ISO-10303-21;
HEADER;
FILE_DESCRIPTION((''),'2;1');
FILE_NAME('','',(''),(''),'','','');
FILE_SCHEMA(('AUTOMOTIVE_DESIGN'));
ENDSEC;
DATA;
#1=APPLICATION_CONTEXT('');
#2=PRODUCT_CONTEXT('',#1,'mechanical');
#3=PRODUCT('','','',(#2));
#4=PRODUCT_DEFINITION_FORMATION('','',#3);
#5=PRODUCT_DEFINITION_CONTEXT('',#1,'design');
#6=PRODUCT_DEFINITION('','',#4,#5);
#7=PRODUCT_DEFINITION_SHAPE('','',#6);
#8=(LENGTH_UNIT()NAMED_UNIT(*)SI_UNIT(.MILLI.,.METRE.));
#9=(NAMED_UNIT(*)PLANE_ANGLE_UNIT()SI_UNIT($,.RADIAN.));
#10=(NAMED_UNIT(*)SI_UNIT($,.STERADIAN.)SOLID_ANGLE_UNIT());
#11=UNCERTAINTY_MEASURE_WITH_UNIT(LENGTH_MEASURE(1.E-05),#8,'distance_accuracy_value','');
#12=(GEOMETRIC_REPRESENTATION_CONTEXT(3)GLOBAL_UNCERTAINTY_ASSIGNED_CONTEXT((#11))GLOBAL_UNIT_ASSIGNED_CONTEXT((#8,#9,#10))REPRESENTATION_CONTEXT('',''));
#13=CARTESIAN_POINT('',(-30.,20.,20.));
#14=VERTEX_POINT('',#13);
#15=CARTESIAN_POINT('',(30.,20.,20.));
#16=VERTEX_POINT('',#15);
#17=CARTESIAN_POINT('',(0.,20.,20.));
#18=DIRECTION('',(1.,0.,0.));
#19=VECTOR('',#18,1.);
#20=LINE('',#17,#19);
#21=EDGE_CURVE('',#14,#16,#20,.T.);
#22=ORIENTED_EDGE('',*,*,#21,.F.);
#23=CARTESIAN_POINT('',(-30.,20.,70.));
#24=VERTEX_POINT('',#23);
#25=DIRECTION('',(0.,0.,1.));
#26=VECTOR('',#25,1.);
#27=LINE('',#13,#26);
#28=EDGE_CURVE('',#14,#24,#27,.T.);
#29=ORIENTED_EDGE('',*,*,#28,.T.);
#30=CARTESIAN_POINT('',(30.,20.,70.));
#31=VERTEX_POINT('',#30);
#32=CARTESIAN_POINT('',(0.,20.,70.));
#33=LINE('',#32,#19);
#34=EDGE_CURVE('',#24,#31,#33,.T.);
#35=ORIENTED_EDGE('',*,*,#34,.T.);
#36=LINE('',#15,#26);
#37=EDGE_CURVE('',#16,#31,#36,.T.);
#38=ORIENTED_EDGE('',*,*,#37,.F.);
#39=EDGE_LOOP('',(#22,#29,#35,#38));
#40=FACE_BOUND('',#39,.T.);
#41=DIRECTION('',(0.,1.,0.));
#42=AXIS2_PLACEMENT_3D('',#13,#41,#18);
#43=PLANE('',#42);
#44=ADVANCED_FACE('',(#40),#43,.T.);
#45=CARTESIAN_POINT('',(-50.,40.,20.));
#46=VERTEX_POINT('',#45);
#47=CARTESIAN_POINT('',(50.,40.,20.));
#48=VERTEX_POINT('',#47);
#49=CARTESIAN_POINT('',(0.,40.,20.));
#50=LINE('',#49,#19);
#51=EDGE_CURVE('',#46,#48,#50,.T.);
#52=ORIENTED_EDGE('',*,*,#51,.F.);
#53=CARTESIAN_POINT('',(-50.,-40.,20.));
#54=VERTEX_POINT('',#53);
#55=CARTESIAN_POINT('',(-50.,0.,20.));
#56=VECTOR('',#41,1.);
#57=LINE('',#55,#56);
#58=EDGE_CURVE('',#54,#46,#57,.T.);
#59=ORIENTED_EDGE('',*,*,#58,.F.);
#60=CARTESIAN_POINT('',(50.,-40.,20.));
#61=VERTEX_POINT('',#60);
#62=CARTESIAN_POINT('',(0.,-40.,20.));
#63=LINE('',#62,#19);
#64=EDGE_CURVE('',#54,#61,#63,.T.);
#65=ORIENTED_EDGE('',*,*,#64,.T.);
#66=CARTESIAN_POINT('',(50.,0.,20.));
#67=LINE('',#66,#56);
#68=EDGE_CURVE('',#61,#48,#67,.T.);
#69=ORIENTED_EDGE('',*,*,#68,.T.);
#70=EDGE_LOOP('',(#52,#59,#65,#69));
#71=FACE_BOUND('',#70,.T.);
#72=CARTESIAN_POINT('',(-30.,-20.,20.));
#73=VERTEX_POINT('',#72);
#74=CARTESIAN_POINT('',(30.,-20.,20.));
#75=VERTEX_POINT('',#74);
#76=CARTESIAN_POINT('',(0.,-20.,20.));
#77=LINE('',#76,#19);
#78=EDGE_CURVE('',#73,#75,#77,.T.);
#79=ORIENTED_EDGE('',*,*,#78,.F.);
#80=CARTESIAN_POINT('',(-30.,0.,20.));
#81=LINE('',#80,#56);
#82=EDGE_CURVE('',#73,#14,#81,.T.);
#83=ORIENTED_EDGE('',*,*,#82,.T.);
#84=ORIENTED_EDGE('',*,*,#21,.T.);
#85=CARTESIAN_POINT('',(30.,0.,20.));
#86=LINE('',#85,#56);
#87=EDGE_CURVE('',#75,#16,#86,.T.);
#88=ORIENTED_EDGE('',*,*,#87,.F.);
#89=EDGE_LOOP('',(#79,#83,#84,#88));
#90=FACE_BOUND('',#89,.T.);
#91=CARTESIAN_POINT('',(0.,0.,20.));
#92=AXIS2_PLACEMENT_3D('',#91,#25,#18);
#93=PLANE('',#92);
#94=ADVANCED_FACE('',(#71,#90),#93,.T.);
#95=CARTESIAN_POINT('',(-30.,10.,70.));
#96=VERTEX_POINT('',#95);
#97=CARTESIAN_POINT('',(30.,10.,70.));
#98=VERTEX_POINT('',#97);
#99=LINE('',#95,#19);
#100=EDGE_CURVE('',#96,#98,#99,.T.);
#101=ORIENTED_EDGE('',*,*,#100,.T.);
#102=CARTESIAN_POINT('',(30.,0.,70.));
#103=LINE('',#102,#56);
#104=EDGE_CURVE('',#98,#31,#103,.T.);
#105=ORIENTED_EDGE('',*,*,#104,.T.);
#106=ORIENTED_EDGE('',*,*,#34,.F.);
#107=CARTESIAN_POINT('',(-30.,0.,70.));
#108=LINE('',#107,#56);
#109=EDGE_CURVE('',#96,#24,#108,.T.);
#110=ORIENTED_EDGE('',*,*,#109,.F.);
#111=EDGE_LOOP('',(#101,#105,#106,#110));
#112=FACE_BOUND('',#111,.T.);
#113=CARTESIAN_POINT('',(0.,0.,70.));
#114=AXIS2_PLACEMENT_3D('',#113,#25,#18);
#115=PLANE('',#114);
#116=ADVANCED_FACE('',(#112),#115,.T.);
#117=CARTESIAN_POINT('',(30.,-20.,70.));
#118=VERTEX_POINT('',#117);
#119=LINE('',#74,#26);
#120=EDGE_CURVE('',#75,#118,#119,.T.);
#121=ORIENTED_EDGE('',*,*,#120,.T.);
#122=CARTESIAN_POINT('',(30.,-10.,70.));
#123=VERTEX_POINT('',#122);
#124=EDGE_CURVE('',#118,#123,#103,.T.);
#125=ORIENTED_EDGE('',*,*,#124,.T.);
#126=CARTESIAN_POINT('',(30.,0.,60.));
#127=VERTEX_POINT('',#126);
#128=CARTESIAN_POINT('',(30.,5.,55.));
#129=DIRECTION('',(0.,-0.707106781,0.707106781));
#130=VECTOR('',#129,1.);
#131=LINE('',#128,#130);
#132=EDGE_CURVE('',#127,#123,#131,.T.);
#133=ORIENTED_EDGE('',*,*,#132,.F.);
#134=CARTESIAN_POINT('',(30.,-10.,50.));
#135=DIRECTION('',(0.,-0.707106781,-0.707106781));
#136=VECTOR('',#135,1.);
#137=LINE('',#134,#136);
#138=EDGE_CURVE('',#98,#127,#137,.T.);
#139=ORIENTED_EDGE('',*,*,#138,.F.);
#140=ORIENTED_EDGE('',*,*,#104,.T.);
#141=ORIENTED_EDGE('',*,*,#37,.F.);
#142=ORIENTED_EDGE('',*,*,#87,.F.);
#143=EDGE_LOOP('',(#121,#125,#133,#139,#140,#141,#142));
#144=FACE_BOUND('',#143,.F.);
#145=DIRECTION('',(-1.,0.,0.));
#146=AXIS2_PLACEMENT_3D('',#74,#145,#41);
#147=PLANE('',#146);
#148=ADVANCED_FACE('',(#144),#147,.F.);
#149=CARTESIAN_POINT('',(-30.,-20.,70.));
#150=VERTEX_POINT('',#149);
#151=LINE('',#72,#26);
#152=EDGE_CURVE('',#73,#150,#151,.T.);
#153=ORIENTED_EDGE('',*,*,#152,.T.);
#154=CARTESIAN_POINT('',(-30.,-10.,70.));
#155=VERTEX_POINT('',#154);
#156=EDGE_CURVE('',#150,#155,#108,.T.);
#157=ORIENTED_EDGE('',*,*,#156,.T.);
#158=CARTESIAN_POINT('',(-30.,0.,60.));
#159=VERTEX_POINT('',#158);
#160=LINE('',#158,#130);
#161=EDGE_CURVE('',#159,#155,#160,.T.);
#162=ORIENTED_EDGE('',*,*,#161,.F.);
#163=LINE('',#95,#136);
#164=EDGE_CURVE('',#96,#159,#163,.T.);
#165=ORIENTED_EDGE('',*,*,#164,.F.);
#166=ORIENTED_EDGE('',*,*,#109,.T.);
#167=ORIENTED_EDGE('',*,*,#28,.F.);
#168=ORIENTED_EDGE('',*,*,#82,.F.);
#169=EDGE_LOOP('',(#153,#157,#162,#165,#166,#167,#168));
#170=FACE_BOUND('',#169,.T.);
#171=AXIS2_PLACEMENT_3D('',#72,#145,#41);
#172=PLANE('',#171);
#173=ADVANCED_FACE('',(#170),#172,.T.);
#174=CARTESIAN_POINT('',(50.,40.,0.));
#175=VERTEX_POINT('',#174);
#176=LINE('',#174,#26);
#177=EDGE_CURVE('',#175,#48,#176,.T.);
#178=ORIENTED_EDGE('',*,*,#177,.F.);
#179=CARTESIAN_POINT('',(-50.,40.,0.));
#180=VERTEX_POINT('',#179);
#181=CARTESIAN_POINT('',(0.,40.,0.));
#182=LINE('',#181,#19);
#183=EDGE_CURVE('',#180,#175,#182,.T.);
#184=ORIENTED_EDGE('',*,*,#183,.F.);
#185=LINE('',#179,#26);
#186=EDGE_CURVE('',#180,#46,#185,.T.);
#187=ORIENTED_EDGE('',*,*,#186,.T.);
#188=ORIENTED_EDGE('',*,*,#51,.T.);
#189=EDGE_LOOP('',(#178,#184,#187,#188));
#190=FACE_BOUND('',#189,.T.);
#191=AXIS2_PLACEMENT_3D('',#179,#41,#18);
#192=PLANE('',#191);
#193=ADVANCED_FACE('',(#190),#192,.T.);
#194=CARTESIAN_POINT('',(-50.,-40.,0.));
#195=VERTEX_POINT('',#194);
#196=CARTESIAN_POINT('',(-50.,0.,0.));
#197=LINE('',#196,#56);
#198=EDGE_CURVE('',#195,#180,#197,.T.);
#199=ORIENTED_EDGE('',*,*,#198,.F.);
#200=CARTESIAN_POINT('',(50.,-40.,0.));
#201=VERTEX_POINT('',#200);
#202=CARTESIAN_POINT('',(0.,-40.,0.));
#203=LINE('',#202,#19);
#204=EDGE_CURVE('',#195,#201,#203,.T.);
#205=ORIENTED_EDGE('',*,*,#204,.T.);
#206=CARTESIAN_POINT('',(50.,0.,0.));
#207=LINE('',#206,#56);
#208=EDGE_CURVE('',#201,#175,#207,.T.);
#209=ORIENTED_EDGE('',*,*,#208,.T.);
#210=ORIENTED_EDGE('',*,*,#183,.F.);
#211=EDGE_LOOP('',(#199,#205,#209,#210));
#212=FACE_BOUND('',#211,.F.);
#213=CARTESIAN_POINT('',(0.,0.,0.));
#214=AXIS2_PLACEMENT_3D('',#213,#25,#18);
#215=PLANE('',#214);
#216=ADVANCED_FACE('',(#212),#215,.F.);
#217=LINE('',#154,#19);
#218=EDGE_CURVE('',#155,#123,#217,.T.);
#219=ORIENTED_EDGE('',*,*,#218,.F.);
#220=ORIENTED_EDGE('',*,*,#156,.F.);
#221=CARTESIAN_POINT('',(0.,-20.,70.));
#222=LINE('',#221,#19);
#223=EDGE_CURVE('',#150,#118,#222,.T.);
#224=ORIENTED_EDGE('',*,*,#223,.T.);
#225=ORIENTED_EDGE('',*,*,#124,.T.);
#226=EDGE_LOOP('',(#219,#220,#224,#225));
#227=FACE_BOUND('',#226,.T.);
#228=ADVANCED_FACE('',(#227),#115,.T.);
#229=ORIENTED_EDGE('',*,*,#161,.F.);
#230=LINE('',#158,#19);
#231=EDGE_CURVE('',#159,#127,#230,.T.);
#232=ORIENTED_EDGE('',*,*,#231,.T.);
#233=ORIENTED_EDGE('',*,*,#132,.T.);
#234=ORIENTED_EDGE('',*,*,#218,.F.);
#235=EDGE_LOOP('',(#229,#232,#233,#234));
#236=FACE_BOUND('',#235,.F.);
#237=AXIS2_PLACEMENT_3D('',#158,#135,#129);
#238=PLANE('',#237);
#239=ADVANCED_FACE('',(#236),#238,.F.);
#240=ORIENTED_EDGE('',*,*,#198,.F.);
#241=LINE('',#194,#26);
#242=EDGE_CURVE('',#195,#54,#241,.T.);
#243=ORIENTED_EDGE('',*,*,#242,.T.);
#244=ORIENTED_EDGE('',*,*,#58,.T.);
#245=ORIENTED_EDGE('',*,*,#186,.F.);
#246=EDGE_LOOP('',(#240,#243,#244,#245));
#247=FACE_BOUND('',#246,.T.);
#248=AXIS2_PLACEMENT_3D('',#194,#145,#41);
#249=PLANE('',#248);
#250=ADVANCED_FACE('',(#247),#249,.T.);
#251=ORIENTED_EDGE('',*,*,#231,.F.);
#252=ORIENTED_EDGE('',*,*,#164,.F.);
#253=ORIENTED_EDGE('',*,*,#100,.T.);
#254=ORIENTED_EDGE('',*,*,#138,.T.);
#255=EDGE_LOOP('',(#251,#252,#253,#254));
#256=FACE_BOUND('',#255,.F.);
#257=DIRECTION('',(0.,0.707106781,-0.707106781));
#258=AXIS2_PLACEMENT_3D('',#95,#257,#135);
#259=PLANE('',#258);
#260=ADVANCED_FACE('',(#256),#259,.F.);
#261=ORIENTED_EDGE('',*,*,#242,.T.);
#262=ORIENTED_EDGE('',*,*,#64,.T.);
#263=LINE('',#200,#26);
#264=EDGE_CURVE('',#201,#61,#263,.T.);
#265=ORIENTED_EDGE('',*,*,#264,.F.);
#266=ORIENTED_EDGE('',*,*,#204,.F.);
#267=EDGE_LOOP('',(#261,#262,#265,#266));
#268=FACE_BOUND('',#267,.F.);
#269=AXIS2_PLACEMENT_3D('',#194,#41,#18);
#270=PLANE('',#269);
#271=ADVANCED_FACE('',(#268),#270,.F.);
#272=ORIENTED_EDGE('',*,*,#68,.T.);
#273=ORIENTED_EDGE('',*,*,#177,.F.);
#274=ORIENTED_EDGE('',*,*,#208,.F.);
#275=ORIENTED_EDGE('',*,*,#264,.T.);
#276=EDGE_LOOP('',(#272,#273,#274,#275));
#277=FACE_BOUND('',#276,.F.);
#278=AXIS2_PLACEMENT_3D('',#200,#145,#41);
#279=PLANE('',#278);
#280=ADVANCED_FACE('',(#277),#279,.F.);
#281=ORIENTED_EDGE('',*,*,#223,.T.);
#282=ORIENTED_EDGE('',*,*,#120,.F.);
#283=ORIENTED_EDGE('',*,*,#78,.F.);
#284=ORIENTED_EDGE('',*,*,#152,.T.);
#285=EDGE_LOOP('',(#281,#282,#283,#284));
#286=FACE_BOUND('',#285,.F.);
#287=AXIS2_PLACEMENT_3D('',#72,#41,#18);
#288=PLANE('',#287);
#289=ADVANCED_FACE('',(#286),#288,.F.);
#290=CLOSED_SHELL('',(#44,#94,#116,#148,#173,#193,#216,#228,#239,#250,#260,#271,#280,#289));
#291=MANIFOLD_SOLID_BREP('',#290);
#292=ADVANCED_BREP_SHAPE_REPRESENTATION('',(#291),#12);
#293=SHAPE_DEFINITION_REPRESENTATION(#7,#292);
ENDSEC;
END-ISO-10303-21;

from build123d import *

# Parameters (mm, degrees)
F0_W     = 100
F0_H     = 80
F1_DEPTH = 20
F2_W     = 60
F2_H     = 40
F3_DEPTH = 50
F5_DEPTH = 81


with BuildPart() as f1:
    # F0 (on Top) → F1 (new body)
    with BuildSketch(Plane.XY):
        Rectangle(F0_W, F0_H)
    extrude(amount=F1_DEPTH)

    # F2 (on face) → F3 (join)
    with BuildSketch(Plane.XY.offset(20)):
        Rectangle(F2_W, F2_H)
    extrude(amount=F3_DEPTH)

    # F4 (on face) → F5 (cut)
    with BuildSketch(Plane(origin=(-30, 0, 0), x_dir=(0, -1, 0), z_dir=(-1, 0, 0))):
        Polygon((10, 70), (-10, 70), (0, 60), align=None)
    extrude(amount=-F5_DEPTH, mode=Mode.SUBTRACT)


solid = f1.part
